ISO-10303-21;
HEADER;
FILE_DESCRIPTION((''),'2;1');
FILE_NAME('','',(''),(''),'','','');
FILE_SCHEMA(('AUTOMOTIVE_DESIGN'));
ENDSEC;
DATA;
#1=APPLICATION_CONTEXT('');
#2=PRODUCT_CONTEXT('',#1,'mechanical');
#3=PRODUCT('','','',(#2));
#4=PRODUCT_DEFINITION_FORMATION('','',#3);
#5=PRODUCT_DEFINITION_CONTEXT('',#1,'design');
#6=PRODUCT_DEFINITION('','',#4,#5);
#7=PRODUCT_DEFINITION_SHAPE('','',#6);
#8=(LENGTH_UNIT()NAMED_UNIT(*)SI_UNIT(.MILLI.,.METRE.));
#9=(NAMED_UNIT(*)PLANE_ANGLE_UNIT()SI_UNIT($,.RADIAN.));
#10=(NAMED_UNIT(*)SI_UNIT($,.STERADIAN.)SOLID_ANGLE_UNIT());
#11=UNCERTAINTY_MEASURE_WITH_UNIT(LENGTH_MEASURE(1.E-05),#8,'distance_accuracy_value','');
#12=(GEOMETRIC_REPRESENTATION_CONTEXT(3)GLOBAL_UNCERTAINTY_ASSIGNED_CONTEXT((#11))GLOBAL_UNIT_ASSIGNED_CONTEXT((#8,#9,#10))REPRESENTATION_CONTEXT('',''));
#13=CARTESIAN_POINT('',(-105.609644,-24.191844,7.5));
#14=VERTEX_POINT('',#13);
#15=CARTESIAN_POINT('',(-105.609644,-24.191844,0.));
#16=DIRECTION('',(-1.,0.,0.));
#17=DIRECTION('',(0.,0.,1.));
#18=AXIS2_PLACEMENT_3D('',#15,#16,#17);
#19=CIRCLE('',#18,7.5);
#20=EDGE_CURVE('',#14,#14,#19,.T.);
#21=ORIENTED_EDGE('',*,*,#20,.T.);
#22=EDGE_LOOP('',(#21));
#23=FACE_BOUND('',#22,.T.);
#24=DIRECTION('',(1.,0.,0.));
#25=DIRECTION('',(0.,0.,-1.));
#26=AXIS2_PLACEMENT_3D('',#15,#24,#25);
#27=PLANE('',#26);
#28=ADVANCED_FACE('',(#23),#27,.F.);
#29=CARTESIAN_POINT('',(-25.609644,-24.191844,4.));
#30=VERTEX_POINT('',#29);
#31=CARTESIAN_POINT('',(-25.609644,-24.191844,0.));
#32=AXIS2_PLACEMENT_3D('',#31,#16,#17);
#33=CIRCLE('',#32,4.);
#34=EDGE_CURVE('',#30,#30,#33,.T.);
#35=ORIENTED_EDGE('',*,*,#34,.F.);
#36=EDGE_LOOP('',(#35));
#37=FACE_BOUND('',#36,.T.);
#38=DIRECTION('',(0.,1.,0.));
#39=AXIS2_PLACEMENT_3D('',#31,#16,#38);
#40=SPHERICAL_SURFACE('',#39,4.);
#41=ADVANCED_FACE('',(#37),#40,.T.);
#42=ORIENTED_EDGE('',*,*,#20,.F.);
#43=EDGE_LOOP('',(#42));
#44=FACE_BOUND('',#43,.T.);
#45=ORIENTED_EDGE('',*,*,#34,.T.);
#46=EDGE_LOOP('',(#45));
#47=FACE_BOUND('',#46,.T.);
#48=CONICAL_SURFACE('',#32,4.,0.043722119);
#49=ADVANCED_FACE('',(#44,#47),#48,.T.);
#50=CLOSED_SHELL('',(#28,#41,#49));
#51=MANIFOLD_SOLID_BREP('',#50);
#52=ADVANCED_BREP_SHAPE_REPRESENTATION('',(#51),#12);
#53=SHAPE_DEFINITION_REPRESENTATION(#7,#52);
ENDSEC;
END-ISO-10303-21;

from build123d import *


with BuildPart() as part:
    # Sketch1 → Revolve1 (revolve)
    with BuildSketch(Plane.XY):
        with BuildLine():
            Line((-105.609644073, -24.191844409), (-105.609644073, -16.691844409))
            Line((-105.609644073, -16.691844409), (-25.609644073, -20.191844409))
            ThreePointArc((-25.609644073, -20.191844409), (-22.781216948, -21.363417284), (-21.609644073, -24.191844409))
            Line((-21.609644073, -24.191844409), (-105.609644073, -24.191844409))
        make_face()
    revolve(axis=Axis((-105.609644073, -24.191844409, 0), (1, 0, 0)))


solid = part.part
